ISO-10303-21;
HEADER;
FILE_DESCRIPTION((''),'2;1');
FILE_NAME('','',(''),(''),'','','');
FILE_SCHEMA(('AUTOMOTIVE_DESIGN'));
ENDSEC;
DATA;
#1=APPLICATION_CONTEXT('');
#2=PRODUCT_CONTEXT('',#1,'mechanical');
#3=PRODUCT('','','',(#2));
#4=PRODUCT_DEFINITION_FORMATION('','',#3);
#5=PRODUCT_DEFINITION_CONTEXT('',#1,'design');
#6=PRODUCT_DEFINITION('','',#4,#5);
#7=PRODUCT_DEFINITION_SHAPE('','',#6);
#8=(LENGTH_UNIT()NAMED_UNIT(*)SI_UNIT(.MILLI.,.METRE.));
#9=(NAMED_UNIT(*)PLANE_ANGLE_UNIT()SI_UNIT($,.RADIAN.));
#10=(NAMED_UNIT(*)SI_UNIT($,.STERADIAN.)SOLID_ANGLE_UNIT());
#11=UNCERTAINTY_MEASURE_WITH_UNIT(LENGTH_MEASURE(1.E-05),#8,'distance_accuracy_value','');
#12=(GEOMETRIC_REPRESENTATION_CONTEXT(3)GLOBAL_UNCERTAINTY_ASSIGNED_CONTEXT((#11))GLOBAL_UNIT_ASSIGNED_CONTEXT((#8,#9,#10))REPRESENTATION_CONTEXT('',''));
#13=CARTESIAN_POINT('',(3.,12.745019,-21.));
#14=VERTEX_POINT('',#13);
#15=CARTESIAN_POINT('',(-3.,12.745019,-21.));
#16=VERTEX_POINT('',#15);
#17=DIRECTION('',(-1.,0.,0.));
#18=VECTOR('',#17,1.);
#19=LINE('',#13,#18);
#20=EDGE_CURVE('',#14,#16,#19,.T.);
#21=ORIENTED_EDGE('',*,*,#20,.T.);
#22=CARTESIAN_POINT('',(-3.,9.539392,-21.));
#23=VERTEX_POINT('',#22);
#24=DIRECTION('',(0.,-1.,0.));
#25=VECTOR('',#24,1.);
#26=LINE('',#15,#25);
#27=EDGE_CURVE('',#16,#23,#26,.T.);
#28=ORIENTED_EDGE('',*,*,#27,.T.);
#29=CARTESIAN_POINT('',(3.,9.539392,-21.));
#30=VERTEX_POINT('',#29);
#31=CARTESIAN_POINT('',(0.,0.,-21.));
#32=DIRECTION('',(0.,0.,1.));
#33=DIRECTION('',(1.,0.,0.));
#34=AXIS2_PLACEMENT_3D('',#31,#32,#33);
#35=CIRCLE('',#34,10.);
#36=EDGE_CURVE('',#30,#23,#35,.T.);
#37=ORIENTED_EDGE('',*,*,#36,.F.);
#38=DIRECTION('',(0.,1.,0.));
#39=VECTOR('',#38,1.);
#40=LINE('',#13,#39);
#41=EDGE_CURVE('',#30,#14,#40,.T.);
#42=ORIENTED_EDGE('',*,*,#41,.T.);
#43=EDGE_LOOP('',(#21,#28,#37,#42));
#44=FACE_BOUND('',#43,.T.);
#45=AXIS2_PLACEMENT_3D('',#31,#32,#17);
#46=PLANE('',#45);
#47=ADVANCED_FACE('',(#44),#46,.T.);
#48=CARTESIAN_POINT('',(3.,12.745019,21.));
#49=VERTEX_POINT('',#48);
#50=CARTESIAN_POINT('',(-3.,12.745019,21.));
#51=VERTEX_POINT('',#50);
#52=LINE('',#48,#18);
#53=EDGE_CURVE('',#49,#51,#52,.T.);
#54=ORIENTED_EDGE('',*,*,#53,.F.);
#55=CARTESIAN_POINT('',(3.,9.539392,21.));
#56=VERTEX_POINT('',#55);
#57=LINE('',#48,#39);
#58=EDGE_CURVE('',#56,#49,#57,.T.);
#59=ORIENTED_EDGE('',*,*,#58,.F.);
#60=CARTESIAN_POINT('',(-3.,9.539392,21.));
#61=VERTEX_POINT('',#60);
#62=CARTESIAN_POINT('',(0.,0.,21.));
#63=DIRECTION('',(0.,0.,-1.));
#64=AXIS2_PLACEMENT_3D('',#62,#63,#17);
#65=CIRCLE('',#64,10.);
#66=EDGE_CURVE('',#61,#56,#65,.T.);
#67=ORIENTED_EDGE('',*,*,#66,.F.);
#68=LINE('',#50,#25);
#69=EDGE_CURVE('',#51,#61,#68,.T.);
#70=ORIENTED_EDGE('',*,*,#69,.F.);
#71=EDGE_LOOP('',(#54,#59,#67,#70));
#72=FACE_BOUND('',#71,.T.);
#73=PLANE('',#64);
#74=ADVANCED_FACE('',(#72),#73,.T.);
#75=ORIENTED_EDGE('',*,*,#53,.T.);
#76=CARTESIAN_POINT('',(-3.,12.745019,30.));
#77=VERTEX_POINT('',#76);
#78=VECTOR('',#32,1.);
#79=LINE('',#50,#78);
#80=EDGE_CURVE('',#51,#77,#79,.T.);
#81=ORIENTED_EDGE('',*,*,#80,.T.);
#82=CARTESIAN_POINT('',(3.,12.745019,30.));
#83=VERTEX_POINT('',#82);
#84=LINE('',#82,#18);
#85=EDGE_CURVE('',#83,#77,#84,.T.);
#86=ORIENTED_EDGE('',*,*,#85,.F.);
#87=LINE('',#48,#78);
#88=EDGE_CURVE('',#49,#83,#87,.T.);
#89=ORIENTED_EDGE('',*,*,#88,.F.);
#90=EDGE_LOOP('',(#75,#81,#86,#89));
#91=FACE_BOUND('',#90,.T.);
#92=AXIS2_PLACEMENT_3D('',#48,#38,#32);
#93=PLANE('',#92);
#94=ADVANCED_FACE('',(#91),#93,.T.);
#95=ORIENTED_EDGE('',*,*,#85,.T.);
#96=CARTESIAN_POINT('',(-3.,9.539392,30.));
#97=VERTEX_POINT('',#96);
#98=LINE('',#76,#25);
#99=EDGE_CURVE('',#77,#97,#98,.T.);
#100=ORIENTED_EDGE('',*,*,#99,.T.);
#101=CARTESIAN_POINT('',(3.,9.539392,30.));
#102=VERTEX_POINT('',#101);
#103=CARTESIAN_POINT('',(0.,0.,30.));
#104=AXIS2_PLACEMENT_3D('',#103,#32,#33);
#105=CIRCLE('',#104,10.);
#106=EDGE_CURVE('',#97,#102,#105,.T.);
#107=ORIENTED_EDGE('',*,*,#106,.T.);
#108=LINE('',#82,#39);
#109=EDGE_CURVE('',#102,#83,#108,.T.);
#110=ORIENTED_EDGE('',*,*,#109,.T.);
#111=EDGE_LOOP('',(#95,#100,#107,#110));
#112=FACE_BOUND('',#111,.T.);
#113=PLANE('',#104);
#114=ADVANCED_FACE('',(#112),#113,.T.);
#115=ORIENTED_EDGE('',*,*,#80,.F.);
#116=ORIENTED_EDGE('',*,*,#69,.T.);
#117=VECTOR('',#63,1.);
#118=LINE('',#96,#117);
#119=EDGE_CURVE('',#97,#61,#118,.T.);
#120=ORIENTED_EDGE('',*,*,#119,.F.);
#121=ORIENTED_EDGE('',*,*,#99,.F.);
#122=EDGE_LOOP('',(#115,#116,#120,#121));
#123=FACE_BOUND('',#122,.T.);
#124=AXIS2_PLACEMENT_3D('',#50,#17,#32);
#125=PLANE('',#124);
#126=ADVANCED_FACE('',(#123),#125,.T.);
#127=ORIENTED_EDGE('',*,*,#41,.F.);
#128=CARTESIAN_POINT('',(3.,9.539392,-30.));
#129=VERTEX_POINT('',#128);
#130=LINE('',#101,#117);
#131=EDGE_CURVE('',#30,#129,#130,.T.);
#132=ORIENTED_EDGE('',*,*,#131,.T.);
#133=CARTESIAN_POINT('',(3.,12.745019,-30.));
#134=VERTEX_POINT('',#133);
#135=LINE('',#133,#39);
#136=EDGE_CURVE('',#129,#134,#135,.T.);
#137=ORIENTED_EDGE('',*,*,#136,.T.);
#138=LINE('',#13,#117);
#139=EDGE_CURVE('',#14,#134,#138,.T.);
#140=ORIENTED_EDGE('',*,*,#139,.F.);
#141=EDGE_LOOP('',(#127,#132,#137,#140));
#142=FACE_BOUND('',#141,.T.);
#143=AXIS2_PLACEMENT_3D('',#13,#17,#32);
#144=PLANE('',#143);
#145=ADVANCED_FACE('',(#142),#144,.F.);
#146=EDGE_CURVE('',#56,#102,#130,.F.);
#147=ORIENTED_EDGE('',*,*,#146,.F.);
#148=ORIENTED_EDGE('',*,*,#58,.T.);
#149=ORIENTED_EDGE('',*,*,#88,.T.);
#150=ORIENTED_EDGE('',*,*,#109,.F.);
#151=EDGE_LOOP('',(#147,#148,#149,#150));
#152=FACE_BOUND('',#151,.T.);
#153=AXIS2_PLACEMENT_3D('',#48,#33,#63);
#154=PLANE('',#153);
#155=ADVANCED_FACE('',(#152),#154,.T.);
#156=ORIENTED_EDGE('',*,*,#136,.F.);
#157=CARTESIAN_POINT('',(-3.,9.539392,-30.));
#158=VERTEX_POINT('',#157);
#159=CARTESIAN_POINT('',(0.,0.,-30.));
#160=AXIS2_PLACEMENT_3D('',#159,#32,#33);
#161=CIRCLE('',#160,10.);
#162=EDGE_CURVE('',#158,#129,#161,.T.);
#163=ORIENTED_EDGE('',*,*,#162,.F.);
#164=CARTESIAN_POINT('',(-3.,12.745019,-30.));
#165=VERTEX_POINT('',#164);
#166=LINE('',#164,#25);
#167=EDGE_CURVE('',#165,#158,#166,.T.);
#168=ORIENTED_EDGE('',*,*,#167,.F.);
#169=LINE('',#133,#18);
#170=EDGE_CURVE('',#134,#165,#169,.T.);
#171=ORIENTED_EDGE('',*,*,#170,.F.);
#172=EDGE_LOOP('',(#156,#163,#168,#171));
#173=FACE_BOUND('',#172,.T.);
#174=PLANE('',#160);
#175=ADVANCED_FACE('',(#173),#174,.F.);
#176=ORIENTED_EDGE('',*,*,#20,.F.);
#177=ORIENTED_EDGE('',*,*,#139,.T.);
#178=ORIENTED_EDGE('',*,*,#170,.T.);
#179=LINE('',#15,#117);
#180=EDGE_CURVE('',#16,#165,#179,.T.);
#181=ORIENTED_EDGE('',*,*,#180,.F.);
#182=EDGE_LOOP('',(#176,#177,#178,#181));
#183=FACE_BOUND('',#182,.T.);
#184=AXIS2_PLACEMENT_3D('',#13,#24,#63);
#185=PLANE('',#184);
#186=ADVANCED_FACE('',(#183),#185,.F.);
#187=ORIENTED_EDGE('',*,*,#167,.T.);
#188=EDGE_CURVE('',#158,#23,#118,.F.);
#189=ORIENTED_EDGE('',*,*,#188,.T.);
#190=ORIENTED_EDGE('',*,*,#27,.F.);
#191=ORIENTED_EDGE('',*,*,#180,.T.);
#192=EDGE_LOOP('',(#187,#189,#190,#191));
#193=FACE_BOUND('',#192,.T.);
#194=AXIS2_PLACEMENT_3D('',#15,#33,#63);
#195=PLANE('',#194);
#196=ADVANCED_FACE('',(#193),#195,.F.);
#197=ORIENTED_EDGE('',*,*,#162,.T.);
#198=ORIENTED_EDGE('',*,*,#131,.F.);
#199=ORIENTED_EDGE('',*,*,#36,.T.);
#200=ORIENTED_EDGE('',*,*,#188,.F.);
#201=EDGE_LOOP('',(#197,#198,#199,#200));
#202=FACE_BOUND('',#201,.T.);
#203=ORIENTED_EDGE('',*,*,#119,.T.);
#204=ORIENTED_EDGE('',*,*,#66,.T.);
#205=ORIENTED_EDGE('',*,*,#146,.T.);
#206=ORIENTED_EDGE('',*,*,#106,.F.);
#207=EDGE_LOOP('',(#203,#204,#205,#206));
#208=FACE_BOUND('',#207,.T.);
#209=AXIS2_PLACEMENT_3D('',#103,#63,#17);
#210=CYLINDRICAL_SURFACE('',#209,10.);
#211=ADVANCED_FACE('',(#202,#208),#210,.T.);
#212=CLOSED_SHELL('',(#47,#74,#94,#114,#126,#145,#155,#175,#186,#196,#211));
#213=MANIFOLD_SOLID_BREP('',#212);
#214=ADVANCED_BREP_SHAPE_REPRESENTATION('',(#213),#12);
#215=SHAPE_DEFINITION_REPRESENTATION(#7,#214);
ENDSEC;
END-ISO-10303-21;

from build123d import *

# Parameters (mm, degrees)
SKETCH1_R           = 10
BOSS_EXTRUDE1_DEPTH = 30
SKETCH2_W           = 6
SKETCH2_H           = 3.26
BOSS_EXTRUDE2_DEPTH = 9


with BuildPart() as part:
    # Sketch1 → Boss-Extrude1 (new body, symmetric)
    with BuildSketch(Plane.XY):
        Circle(SKETCH1_R)
    extrude(amount=BOSS_EXTRUDE1_DEPTH, both=True)

    # Sketch2 → Boss-Extrude2 (add)
    with BuildSketch(Plane.XY.offset(30)):
        with Locations((0, 11.115019423)):
            Rectangle(SKETCH2_W, SKETCH2_H)
    boss_extrude2 = extrude(amount=-BOSS_EXTRUDE2_DEPTH)

    # Mirror1: Boss-Extrude2 across plane
    add(boss_extrude2.mirror(Plane.XY))


solid = part.part
